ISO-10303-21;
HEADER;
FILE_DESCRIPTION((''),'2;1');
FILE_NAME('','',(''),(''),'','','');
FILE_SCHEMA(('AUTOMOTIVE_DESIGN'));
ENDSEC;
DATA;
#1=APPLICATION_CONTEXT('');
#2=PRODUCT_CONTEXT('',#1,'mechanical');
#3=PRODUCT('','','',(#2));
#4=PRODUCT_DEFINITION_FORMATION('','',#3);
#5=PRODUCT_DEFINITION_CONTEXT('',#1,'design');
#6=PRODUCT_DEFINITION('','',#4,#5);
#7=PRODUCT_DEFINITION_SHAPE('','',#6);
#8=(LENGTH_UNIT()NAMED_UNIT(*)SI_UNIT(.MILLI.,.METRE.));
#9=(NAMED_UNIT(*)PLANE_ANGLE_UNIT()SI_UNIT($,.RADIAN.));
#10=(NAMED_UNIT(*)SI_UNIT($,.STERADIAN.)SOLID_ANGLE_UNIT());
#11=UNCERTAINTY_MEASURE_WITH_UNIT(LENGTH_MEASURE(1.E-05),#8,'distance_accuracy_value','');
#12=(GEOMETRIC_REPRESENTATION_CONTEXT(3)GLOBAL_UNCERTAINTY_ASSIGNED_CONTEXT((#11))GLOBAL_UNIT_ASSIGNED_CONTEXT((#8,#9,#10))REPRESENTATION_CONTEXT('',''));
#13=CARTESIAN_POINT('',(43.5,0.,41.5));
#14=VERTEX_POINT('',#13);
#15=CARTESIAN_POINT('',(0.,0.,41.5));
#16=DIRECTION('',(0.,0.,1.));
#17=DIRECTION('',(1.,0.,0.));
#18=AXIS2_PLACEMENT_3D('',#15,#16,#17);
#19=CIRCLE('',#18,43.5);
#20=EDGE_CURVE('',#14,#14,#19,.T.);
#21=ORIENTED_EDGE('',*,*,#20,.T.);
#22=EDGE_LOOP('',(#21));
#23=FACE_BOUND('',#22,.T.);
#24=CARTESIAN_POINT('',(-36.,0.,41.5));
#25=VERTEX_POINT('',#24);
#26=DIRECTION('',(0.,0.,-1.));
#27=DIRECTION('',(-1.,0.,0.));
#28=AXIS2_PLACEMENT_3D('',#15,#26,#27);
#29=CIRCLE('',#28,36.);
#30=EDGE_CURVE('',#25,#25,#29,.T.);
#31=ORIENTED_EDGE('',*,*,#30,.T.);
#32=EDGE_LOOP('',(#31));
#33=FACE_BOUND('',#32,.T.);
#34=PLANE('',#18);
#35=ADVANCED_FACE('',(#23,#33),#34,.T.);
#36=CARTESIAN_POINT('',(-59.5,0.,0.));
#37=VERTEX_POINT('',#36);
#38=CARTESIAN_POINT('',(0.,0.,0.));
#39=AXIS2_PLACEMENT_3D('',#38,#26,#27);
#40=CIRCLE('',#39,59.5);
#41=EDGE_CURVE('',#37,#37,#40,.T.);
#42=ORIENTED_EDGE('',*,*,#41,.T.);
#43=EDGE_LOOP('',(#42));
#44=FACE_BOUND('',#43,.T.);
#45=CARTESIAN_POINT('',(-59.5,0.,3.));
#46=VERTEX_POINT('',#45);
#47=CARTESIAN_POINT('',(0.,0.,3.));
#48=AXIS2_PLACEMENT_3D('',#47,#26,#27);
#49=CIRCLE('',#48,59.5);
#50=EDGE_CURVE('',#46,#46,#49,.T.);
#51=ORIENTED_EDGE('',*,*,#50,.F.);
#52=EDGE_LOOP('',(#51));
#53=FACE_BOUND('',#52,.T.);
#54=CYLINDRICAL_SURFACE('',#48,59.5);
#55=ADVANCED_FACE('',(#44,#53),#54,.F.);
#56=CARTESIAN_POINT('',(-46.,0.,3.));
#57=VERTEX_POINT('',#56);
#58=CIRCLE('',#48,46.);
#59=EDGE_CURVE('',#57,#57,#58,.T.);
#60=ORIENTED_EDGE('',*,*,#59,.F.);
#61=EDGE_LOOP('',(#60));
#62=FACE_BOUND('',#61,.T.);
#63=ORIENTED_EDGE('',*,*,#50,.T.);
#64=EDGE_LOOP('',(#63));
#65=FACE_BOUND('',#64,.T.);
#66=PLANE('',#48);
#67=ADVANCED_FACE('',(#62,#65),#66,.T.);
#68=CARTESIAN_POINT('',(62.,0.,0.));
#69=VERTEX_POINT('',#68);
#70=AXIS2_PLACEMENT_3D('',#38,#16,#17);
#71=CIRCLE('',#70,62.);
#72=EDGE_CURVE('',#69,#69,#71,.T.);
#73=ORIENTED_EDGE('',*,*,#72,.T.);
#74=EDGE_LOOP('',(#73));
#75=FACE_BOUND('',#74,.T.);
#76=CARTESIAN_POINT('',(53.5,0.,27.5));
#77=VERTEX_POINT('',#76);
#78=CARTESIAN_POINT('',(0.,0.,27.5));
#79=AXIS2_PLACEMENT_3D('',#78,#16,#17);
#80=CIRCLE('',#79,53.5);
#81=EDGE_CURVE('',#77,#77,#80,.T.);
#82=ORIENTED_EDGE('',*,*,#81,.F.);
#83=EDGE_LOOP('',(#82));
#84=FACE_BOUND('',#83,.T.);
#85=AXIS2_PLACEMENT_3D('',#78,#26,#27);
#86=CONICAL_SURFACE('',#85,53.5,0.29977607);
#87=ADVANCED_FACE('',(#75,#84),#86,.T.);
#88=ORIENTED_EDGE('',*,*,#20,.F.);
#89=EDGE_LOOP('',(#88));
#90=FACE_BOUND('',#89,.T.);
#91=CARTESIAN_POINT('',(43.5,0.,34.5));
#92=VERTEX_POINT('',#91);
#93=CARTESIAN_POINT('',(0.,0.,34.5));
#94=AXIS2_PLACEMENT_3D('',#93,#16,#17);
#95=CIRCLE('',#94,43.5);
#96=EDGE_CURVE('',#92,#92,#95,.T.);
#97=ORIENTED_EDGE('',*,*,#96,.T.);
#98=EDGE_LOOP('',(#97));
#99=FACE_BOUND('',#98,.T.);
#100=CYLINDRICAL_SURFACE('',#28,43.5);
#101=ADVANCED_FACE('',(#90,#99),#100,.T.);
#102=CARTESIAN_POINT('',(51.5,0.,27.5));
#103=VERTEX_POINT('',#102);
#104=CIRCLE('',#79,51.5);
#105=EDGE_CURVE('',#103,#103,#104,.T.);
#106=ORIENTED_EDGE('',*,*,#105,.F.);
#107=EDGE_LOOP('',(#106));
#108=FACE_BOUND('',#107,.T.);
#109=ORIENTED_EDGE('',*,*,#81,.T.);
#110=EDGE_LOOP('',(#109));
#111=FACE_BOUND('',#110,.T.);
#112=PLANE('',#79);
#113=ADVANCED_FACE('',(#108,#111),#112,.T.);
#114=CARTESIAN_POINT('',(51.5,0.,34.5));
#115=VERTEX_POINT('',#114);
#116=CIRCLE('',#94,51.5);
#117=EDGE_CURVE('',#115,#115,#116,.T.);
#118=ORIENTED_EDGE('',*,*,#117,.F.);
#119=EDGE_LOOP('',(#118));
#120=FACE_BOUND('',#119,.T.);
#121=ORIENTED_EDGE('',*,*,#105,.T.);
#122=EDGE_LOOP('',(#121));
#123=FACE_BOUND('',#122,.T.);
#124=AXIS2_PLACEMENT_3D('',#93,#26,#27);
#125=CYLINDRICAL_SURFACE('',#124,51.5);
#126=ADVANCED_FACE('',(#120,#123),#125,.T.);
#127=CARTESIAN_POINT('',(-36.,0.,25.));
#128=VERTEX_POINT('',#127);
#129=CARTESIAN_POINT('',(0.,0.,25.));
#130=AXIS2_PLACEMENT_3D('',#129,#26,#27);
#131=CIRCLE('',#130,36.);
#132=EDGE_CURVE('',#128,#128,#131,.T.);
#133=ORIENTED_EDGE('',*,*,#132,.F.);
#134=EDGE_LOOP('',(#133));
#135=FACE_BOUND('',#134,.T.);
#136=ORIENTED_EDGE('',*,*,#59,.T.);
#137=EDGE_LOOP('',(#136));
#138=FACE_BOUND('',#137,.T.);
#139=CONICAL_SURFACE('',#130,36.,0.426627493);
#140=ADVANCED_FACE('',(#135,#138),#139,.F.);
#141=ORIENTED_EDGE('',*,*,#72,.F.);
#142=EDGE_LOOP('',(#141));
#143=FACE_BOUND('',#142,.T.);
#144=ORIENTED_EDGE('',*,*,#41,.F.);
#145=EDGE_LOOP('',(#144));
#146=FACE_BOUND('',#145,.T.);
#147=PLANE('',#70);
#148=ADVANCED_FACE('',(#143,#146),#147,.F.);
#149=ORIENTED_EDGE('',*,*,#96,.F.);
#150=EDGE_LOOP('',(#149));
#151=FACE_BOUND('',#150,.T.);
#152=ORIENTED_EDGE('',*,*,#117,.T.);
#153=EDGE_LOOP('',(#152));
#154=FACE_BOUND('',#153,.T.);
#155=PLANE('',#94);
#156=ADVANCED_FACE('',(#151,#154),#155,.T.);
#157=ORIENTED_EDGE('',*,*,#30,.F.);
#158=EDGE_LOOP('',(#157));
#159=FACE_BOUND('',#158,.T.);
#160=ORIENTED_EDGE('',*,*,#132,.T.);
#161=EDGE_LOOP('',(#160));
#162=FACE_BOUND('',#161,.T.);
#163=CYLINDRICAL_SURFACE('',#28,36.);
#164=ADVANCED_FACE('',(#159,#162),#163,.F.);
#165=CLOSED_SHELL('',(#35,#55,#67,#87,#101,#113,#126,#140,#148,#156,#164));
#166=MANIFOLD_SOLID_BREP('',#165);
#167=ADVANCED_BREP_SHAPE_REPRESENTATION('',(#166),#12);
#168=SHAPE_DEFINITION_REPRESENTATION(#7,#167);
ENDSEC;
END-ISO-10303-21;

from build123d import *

# Parameters (mm, degrees)
SKETCH1_R           = 62
SKETCH2_R           = 53.5
SKETCH3_R           = 51.5
BOSS_EXTRUDE1_DEPTH = 7
SKETCH4_R           = 43.5
BOSS_EXTRUDE2_DEPTH = 7
SKETCH5_R           = 59.5
CUT_EXTRUDE1_DEPTH  = 3
SKETCH6_R           = 46
SKETCH7_R           = 36
SKETCH8_R           = 36
CUT_EXTRUDE2_DEPTH  = 92.175654809


with BuildPart() as part:
    # Sketch1 → Loft1 section 0
    with BuildSketch(Plane.XY):
        Circle(SKETCH1_R)
    # Sketch2 → Loft1 section 1
    with BuildSketch(Plane.XY.offset(27.5)):
        Circle(SKETCH2_R)
    loft()

    # Sketch3 → Boss-Extrude1 (add)
    with BuildSketch(Plane.XY.offset(27.5)):
        Circle(SKETCH3_R)
    extrude(amount=BOSS_EXTRUDE1_DEPTH)

    # Sketch4 → Boss-Extrude2 (add)
    with BuildSketch(Plane.XY.offset(34.5)):
        Circle(SKETCH4_R)
    extrude(amount=BOSS_EXTRUDE2_DEPTH)

    # Sketch5 → Cut-Extrude1 (cut)
    with BuildSketch(Plane(origin=(0, 0, 0), x_dir=(-1, 0, 0), z_dir=(0, 0, -1))):
        Circle(SKETCH5_R)
    extrude(amount=-CUT_EXTRUDE1_DEPTH, mode=Mode.SUBTRACT)

    # Sketch6 → Cut-Loft1 section 0
    with BuildSketch(Plane(origin=(0, 0, 3), x_dir=(-1, 0, 0), z_dir=(0, 0, -1))):
        Circle(SKETCH6_R)
    # Sketch7 → Cut-Loft1 section 1
    with BuildSketch(Plane(origin=(0, 0, 25), x_dir=(-1, 0, 0), z_dir=(0, 0, -1))):
        Circle(SKETCH7_R)
    loft(mode=Mode.SUBTRACT)

    # Sketch8 → Cut-Extrude2 (cut, through all)
    with BuildSketch(Plane(origin=(0, 0, 25), x_dir=(-1, 0, 0), z_dir=(0, 0, -1))):
        Circle(SKETCH8_R)
    extrude(amount=-CUT_EXTRUDE2_DEPTH, mode=Mode.SUBTRACT)


solid = part.part
